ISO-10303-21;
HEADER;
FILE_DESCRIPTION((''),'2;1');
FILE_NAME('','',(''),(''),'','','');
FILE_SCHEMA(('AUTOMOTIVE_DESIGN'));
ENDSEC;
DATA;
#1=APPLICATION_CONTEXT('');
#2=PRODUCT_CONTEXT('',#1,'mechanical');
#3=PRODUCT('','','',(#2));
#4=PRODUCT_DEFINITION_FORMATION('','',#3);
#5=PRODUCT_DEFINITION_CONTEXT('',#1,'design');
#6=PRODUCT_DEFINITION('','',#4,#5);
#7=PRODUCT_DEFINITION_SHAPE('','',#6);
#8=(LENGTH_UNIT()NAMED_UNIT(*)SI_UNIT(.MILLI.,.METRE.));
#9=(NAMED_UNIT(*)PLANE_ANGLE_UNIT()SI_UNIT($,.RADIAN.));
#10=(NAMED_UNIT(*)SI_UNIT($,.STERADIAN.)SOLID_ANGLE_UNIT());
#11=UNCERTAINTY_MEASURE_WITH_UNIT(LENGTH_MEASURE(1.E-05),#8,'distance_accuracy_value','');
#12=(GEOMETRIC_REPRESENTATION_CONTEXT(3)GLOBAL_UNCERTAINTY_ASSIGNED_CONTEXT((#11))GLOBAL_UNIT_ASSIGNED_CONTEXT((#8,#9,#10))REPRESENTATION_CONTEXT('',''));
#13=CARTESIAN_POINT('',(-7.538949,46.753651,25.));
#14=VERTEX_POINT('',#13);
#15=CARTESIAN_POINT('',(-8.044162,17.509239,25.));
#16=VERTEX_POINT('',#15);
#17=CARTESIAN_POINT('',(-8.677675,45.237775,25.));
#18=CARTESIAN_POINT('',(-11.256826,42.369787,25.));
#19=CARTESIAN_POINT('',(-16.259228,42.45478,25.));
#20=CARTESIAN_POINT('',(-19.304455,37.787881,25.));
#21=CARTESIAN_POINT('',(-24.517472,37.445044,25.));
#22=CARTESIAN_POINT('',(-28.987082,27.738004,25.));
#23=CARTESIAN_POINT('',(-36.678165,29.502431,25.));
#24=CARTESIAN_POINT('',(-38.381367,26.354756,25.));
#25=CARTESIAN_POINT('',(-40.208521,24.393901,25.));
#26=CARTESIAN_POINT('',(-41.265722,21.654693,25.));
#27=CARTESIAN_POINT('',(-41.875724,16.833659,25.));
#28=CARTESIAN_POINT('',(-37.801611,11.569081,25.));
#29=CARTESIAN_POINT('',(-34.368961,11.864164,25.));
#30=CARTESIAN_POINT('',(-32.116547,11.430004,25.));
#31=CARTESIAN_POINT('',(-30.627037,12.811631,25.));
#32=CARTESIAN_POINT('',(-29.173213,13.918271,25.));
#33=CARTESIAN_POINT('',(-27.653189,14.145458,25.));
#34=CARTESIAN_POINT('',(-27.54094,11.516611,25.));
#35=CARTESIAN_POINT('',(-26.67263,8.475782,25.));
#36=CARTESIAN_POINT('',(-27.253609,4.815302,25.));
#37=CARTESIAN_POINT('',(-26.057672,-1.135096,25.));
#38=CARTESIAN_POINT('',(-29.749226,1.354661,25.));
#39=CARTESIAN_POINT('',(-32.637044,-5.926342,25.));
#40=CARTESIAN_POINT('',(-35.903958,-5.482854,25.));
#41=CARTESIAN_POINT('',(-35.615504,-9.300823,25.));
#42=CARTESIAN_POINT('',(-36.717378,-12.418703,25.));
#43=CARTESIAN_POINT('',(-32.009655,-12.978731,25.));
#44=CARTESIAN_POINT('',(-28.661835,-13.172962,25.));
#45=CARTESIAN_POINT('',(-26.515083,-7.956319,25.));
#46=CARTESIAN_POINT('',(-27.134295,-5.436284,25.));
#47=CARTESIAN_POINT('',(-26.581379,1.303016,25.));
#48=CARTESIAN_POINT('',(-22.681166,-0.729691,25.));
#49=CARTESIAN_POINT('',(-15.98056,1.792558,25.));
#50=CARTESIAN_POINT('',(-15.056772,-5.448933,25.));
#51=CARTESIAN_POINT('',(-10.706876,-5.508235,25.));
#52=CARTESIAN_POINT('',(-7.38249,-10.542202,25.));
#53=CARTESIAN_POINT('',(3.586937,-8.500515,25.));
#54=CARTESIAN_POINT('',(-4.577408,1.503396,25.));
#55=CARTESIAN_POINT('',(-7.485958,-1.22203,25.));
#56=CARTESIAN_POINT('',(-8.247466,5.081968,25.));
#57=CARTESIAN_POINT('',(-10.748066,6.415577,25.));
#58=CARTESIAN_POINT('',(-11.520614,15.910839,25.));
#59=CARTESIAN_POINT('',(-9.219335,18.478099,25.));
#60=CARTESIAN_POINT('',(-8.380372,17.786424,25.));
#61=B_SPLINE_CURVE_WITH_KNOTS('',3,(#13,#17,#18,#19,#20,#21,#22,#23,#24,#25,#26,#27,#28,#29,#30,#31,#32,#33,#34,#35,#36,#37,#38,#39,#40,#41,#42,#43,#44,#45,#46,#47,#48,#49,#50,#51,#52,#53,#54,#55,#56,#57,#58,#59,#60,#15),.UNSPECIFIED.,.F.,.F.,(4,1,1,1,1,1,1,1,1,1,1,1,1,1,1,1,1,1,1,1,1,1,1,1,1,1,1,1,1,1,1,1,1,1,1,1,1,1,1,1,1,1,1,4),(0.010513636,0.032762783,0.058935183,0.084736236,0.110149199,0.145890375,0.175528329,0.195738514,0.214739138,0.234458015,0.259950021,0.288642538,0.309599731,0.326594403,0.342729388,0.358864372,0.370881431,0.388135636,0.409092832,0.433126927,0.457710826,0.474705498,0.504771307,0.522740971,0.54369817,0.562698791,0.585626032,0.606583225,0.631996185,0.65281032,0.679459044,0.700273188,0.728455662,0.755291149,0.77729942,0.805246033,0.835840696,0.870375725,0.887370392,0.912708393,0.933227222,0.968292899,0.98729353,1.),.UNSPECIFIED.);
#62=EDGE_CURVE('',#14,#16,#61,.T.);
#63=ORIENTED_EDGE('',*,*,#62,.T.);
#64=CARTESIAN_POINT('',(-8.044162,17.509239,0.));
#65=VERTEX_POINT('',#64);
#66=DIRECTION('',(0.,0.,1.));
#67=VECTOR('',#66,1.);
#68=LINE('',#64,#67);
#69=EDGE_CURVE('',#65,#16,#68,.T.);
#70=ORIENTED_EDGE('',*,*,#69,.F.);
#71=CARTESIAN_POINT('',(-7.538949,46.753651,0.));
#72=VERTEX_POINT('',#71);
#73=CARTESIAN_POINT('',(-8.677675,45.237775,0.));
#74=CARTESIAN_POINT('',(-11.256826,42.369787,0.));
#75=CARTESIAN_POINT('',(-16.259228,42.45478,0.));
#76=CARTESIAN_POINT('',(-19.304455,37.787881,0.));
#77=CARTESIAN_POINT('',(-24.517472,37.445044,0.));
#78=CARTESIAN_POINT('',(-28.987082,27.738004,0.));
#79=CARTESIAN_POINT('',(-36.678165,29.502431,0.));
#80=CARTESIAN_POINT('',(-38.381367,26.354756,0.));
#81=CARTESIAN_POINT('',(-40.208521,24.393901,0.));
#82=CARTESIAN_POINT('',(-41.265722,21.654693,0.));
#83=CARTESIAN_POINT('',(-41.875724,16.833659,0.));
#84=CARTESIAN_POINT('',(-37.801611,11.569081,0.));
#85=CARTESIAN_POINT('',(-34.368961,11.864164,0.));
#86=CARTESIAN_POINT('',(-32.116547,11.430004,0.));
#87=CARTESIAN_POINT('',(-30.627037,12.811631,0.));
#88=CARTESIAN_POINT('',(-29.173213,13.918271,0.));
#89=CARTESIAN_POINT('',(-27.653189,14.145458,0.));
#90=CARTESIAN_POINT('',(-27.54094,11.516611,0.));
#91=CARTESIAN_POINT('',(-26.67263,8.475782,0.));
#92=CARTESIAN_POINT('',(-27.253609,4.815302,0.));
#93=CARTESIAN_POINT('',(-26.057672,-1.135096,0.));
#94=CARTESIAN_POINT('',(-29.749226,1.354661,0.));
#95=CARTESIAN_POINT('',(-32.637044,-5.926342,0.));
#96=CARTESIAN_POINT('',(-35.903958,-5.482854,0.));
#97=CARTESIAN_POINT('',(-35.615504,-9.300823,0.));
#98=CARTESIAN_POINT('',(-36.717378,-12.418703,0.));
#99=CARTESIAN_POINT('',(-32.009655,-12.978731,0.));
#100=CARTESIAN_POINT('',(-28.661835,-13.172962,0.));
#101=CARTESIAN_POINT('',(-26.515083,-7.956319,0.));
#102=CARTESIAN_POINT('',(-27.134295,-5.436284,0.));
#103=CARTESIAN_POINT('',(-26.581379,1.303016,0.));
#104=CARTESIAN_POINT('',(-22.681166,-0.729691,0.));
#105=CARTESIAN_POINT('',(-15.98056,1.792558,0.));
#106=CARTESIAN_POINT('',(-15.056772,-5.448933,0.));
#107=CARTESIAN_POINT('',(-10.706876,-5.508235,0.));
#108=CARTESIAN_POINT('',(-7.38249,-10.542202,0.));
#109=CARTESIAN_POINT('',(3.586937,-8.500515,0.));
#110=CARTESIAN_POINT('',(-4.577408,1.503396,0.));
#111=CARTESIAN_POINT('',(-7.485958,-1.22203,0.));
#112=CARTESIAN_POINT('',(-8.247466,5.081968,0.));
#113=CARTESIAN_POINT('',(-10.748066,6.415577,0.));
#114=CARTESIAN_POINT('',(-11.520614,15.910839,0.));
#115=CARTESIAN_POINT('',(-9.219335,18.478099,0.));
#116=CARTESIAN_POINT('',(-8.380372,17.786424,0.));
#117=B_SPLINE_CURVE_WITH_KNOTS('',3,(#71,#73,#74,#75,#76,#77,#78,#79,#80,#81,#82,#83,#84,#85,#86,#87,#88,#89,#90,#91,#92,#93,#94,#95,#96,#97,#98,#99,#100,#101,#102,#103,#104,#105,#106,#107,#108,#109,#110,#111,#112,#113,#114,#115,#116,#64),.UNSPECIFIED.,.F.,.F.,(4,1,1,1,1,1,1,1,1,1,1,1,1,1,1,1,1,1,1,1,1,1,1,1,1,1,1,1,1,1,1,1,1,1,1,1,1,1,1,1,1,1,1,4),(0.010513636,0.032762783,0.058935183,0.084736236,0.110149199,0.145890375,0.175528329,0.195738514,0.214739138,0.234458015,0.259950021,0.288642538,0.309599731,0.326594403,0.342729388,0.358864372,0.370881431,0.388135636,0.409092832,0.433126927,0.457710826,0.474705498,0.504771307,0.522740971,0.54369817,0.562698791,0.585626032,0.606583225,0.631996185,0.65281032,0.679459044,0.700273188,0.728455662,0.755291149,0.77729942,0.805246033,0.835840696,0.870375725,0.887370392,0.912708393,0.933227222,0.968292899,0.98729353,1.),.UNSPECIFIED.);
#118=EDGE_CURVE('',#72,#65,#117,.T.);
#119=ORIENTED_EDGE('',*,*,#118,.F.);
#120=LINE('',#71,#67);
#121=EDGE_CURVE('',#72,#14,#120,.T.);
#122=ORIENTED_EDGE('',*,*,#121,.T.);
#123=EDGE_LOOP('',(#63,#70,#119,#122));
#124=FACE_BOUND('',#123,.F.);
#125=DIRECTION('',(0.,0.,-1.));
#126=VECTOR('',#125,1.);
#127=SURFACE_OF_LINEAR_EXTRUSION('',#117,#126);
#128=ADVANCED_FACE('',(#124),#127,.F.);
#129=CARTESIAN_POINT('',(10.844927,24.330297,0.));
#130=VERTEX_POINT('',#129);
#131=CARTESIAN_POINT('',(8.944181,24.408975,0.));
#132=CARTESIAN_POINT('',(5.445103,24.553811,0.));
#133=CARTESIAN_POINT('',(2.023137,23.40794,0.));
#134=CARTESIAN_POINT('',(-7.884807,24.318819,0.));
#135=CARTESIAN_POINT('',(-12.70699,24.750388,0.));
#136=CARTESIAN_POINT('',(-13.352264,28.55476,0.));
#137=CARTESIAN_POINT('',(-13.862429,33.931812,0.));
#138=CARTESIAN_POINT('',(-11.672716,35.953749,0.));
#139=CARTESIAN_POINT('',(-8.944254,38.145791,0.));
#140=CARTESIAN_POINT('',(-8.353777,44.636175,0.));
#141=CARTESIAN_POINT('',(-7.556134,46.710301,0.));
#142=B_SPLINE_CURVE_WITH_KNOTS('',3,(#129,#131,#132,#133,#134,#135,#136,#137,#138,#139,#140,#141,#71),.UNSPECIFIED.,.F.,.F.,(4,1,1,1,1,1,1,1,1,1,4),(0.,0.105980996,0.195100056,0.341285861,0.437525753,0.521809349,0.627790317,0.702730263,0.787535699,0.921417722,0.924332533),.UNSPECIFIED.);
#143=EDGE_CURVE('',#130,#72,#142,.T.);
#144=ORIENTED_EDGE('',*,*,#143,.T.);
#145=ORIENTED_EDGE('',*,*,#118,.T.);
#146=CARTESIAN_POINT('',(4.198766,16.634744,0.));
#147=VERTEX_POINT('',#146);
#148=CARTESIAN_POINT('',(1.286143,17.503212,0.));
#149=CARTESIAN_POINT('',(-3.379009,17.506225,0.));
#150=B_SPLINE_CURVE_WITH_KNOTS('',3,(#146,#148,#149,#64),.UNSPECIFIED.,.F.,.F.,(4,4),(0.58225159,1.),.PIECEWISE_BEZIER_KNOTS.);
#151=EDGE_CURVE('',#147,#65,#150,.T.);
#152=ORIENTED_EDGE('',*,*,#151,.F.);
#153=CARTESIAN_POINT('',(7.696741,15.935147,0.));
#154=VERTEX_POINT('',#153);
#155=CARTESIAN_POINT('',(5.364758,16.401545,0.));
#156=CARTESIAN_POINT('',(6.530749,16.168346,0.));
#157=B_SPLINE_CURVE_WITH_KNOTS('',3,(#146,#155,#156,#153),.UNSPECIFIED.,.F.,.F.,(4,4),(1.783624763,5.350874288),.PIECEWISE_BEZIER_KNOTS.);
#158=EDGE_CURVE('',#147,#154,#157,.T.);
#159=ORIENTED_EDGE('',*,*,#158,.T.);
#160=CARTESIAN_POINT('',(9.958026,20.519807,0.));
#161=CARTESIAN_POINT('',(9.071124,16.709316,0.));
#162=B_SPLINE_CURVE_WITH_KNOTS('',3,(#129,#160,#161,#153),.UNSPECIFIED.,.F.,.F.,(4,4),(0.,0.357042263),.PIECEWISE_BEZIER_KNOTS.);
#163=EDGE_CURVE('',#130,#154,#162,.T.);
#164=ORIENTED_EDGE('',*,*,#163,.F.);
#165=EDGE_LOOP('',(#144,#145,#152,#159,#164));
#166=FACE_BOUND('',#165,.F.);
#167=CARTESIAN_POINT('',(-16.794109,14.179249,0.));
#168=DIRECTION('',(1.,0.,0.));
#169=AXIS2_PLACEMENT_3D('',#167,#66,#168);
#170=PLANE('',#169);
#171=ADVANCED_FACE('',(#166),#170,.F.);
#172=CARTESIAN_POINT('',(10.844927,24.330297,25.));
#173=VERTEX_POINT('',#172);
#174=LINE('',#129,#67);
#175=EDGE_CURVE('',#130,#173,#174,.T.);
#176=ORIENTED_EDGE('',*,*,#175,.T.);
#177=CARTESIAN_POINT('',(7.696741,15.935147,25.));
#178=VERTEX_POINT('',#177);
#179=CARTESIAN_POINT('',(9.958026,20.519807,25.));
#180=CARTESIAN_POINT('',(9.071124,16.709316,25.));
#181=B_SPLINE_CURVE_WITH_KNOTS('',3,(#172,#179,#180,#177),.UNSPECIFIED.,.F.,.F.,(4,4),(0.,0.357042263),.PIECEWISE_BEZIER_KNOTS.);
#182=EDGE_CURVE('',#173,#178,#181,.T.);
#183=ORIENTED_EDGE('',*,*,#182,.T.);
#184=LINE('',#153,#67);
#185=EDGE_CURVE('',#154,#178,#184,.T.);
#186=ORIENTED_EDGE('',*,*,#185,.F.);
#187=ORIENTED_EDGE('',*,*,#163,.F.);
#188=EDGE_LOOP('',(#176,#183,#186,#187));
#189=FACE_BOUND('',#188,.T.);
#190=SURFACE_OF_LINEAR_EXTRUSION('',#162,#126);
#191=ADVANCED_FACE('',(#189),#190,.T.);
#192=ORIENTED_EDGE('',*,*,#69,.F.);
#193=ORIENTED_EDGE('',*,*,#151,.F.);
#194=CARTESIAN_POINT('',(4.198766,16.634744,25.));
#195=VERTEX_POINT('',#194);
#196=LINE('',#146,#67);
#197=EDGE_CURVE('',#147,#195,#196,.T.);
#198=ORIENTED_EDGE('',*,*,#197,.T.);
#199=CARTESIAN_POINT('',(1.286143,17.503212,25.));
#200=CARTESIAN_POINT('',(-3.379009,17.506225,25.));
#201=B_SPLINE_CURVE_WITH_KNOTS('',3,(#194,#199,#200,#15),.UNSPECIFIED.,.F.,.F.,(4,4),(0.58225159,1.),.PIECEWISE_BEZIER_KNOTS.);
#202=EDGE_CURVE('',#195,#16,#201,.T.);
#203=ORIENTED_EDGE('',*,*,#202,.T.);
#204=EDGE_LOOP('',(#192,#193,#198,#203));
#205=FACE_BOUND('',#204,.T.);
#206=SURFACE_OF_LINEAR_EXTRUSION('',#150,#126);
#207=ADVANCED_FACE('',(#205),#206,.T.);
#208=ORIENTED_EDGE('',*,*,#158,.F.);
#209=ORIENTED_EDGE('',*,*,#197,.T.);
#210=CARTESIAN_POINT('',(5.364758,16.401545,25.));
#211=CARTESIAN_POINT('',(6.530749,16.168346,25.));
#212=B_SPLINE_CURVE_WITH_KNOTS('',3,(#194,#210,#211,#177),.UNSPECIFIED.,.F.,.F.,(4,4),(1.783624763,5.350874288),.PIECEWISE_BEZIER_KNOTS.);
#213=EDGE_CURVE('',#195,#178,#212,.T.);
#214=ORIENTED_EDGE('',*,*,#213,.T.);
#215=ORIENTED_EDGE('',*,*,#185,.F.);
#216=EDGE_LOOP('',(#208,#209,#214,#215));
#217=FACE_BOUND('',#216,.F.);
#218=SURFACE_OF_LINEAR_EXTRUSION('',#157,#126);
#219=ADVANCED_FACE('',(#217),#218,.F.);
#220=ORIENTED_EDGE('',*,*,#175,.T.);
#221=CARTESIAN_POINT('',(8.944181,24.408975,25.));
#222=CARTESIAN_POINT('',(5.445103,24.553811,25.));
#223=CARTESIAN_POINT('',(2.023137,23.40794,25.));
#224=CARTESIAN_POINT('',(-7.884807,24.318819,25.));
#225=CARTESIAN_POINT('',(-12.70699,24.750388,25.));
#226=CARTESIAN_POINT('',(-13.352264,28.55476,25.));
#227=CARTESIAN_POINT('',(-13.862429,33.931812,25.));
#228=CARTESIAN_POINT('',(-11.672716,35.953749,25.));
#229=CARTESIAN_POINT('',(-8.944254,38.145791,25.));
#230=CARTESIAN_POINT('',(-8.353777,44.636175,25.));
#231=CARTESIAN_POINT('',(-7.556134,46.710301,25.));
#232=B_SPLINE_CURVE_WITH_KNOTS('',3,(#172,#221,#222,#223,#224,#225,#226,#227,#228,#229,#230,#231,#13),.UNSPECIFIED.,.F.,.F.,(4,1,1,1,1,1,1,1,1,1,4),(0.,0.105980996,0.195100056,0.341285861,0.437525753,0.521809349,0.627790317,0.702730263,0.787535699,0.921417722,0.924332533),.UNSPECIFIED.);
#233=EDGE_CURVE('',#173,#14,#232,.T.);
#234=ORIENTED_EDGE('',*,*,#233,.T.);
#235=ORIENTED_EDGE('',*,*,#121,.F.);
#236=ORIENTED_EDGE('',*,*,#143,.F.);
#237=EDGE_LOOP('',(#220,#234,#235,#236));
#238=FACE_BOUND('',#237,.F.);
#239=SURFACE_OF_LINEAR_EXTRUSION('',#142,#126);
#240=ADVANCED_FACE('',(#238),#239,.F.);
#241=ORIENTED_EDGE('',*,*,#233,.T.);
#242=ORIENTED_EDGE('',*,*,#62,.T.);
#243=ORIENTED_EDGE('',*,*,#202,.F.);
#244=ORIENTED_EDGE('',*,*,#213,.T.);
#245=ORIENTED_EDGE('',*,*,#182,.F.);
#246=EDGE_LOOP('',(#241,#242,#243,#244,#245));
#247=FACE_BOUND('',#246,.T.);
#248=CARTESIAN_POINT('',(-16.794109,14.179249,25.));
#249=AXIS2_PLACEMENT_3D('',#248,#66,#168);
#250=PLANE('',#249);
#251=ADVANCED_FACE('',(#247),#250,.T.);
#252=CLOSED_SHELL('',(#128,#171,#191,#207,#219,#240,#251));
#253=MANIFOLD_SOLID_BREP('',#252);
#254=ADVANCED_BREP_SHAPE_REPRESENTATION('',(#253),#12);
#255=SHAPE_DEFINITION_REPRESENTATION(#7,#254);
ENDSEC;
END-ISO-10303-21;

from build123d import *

# Parameters (mm, degrees)
F1_DEPTH = 25


with BuildPart() as f1:
    # F0 (on Top) → F1 (new body)
    with BuildSketch(Plane.XY):
        with BuildLine():
            add(Edge.make_bspline(
                [(10.8449272811, 24.330297485), (8.9441806208, 24.40897464), (5.4451025635, 24.5538111468), (2.0231368455, 23.4079401027), (-7.8848074418, 24.3188189117), (-12.7069895975, 24.7503879132), (-13.3522636795, 28.5547600505), (-13.8624286748, 33.9318117508), (-11.6727163301, 35.9537487027), (-8.9442542705, 38.1457914782), (-8.3537765089, 44.6361753092), (-7.5561344272, 46.7103008364), (-7.5389492351, 46.7536506586)],
                knots=[0, 0, 0, 0, 0.1059809964, 0.1951000556, 0.3412858606, 0.4375257531, 0.5218093486, 0.6277903168, 0.7027302632, 0.7875356992, 0.9214177215, 0.9243325335, 0.9243325335, 0.9243325335, 0.9243325335], degree=3))
            add(Edge.make_bspline(
                [(-7.5389492351, 46.7536506586), (-8.6776751357, 45.2377747448), (-11.2568264718, 42.3697869952), (-16.259228355, 42.454779814), (-19.3044545055, 37.7878813149), (-24.5174716976, 37.445044432), (-28.9870819361, 27.7380042022), (-36.6781650227, 29.5024311378), (-38.3813666664, 26.3547555208), (-40.2085211772, 24.3939014073), (-41.2657217611, 21.6546934973), (-41.8757244299, 16.833659423), (-37.8016114133, 11.5690808139), (-34.3689611677, 11.8641643385), (-32.1165473269, 11.4300041798), (-30.6270371841, 12.8116307362), (-29.1732130535, 13.918270684), (-27.6531890019, 14.1454580604), (-27.5409403409, 11.516610862), (-26.672629637, 8.4757819919), (-27.2536089923, 4.8153021598), (-26.0576721012, -1.1350962556), (-29.7492261323, 1.3546606234), (-32.6370444627, -5.9263417318), (-35.9039575714, -5.4828543088), (-35.6155038176, -9.3008227161), (-36.7173779137, -12.4187028791), (-32.0096553556, -12.9787309644), (-28.6618354319, -13.1729616835), (-26.5150834081, -7.956319245), (-27.1342946701, -5.4362843671), (-26.5813792753, 1.3030164356), (-22.6811655201, -0.7296906578), (-15.9805601745, 1.7925584791), (-15.0567722461, -5.4489329644), (-10.7068760145, -5.5082349421), (-7.3824897967, -10.5422017243), (3.5869367221, -8.5005149781), (-4.5774082593, 1.5033956114), (-7.4859581272, -1.2220295796), (-8.2474656414, 5.0819676212), (-10.7480661452, 6.4155772791), (-11.5206136019, 15.9108393812), (-9.2193354574, 18.4780993908), (-8.3803723241, 17.786424301), (-8.0441618338, 17.5092387944)],
                knots=[0.0105136356, 0.0105136356, 0.0105136356, 0.0105136356, 0.0327627829, 0.0589351833, 0.084736236, 0.1101491985, 0.1458903745, 0.1755283291, 0.1957385144, 0.2147391377, 0.2344580147, 0.2599500207, 0.2886425384, 0.309599731, 0.3265944033, 0.3427293877, 0.358864372, 0.3708814307, 0.388135636, 0.4090928322, 0.4331269269, 0.4577108257, 0.474705498, 0.5047713065, 0.5227409711, 0.5436981698, 0.562698791, 0.5856260324, 0.606583225, 0.6319961853, 0.65281032, 0.6794590444, 0.7002731883, 0.7284556618, 0.7552911485, 0.7772994196, 0.8052460326, 0.835840696, 0.8703757254, 0.8873703921, 0.9127083931, 0.9332272219, 0.9682928993, 0.98729353, 1, 1, 1, 1], degree=3))
            add(Edge.make_bspline(
                [(4.1987656926, 16.6347442816), (1.2861433283, 17.5032118536), (-3.3790092528, 17.506225324), (-8.0441618338, 17.5092387944)],
                knots=[0.5822515901, 0.5822515901, 0.5822515901, 0.5822515901, 1, 1, 1, 1], degree=3))
            add(Edge.make_bspline(
                [(4.1987656926, 16.6347442816), (5.3647575486, 16.4015452481), (6.5307494046, 16.1683462146), (7.6967412606, 15.9351471812)],
                knots=[1.7836247627, 1.7836247627, 1.7836247627, 1.7836247627, 5.3508742882, 5.3508742882, 5.3508742882, 5.3508742882], degree=3))
            add(Edge.make_bspline(
                [(10.8449272811, 24.330297485), (9.9580257508, 20.5198069728), (9.0711242205, 16.7093164606), (7.6967412606, 15.9351471812)],
                knots=[0, 0, 0, 0, 0.3570422634, 0.3570422634, 0.3570422634, 0.3570422634], degree=3))
        make_face()
    extrude(amount=F1_DEPTH)


solid = f1.part
